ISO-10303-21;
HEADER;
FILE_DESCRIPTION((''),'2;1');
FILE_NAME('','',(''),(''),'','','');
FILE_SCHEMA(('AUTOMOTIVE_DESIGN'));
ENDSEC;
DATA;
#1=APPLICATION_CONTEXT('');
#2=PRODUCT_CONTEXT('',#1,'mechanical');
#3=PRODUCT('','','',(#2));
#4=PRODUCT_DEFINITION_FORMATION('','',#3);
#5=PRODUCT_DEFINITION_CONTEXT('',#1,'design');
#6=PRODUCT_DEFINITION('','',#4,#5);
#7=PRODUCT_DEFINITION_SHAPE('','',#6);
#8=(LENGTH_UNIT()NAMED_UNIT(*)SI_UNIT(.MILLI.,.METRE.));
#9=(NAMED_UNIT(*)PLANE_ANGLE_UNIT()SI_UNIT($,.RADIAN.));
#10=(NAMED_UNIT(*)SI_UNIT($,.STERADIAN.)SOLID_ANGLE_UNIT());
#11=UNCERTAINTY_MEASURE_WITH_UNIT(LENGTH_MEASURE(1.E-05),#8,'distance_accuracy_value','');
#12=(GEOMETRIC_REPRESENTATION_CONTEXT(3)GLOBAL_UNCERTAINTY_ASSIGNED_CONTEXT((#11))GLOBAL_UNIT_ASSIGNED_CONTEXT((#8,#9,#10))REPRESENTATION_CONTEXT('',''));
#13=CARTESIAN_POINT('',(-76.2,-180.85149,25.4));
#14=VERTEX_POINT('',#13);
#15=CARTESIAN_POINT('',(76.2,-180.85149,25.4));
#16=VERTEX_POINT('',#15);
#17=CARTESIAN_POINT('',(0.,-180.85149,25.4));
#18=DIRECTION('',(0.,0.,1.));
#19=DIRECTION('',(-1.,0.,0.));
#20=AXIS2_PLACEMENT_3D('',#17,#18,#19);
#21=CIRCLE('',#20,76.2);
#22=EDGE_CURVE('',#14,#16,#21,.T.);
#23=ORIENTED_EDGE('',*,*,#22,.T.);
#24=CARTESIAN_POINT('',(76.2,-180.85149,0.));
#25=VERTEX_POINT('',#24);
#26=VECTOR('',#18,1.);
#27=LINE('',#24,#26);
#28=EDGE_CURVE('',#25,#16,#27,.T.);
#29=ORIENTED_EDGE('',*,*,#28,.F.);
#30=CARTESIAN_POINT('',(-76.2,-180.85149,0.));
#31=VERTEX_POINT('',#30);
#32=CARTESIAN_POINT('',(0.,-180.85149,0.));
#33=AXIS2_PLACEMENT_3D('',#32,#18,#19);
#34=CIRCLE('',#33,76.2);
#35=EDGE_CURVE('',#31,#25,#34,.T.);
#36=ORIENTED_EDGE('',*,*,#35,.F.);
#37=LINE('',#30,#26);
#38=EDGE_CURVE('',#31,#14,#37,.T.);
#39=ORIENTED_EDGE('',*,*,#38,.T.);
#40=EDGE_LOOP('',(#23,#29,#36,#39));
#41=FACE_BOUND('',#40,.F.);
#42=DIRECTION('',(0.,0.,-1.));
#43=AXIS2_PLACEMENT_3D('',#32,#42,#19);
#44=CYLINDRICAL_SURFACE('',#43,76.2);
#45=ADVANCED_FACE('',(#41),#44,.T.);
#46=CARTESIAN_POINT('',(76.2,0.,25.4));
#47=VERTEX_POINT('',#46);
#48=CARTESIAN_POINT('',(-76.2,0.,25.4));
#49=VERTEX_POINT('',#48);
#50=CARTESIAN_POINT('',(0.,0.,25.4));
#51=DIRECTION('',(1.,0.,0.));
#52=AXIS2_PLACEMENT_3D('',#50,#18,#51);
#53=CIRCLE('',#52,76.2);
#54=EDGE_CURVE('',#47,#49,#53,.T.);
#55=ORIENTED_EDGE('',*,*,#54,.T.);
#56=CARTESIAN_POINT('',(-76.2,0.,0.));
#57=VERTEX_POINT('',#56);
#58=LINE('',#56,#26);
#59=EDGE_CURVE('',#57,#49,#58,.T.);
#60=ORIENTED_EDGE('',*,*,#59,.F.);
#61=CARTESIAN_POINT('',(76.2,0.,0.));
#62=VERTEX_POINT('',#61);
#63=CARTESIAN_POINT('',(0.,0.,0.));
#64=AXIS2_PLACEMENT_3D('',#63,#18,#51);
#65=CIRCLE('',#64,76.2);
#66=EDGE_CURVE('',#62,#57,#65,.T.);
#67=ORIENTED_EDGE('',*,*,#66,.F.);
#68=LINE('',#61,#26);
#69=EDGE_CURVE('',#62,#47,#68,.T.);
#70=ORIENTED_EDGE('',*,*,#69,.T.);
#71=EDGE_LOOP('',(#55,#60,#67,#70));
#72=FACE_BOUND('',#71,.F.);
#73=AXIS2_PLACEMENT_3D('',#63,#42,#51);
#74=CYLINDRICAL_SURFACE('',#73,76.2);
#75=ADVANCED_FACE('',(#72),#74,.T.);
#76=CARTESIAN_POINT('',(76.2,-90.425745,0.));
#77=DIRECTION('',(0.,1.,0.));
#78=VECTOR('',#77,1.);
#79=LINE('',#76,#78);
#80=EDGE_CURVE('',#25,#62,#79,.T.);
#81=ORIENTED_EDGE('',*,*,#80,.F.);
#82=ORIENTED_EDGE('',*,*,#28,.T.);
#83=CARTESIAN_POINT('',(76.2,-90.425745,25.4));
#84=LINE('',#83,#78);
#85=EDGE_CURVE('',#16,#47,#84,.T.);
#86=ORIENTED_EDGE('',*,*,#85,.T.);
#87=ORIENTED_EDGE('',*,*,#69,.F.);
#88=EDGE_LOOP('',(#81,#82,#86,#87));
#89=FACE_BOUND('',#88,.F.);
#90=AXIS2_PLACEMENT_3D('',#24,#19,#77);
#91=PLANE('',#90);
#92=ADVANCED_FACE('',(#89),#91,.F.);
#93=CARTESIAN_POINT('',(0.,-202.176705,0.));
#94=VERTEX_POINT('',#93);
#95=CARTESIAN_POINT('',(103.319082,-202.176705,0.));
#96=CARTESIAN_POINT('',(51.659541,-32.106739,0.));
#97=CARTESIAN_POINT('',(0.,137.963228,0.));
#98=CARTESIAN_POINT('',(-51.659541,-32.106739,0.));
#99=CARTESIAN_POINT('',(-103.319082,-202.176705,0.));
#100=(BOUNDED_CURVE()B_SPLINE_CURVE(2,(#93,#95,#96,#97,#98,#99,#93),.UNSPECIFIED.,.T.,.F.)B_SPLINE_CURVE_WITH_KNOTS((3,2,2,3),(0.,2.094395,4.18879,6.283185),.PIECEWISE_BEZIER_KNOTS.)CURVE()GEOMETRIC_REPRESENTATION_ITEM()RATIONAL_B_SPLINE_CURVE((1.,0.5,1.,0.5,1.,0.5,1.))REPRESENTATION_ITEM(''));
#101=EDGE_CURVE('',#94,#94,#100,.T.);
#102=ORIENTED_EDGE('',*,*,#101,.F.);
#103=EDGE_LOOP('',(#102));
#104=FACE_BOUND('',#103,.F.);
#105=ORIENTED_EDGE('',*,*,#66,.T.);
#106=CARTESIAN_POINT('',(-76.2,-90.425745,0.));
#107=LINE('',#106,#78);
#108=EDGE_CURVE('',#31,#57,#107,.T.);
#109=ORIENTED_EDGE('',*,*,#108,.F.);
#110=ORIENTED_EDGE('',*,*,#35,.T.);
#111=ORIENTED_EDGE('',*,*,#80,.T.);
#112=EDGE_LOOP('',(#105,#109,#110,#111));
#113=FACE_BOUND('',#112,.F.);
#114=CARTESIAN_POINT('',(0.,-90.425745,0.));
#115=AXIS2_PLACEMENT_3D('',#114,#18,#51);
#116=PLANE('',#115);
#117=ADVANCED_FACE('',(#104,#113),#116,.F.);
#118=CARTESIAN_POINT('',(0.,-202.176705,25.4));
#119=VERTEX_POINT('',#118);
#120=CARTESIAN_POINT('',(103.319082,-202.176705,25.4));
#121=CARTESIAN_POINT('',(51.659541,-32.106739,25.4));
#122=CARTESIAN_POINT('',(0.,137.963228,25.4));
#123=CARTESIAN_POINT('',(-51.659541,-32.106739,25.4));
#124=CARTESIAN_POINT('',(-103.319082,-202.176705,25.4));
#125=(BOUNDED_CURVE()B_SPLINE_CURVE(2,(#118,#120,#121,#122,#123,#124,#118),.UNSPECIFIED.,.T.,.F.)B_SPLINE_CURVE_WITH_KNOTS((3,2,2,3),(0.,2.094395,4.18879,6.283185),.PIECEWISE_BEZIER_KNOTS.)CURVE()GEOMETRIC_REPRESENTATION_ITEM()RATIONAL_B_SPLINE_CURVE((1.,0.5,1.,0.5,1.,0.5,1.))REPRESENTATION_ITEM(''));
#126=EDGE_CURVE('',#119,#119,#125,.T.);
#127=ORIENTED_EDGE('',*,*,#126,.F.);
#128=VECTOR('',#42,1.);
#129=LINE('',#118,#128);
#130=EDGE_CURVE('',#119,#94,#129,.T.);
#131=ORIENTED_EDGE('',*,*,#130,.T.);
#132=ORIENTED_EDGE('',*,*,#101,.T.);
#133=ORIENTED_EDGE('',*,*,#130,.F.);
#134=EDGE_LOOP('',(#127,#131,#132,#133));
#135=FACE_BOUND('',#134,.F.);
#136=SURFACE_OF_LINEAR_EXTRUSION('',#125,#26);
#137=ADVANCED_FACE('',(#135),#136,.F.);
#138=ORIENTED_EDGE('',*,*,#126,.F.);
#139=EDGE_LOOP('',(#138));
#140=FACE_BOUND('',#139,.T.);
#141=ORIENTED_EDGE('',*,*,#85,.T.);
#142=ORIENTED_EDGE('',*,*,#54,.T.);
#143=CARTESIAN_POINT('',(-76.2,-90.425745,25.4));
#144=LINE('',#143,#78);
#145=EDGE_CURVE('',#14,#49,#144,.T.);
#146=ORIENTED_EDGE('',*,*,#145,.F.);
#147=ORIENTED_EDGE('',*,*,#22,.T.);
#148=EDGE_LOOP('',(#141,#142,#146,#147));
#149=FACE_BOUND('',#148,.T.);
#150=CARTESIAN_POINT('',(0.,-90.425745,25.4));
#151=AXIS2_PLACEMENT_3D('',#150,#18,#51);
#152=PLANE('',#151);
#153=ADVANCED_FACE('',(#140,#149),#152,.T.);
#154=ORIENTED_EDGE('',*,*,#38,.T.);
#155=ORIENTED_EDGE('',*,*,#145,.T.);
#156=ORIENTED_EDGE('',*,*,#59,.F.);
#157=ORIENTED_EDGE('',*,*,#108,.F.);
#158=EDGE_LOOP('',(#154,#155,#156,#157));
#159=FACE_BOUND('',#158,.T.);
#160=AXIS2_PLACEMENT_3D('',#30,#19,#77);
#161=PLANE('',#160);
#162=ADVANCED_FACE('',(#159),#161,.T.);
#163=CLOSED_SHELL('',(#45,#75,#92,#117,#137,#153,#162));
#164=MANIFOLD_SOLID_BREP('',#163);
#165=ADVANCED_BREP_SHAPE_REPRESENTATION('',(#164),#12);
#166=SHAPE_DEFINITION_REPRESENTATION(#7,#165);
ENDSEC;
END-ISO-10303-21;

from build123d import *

# Parameters (mm, degrees)
F0_W     = 152.4
F0_H     = 180.85149
F1_DEPTH = 25.4
F3_DEPTH = 25.4


with BuildPart() as f1:
    # F0 (on Top) → F1 (new body)
    with BuildSketch(Plane.XY):
        with Locations((0, -90.425745)):
            Rectangle(F0_W, F0_H)
        with BuildLine():
            Line((-76.2, 0), (76.2, 0))
            ThreePointArc((76.2, 0), (0, 76.2), (-76.2, 0))
        make_face()
        with BuildLine():
            ThreePointArc((-76.2, -180.85149), (0, -257.05149), (76.2, -180.85149))
            Line((76.2, -180.85149), (-76.2, -180.85149))
        make_face()
    extrude(amount=F1_DEPTH)

    # F2 (on face) → F3 (cut)
    with BuildSketch(Plane.XY.offset(25.4)):
        with BuildLine():
            add(Edge.make_bspline(
                [(0, -202.176705), (103.319082, -202.176705), (51.659541, -32.106739), (0, 137.963228), (-51.659541, -32.106739), (-103.319082, -202.176705), (0, -202.176705)],
                knots=[0, 0, 0, 2.094395, 2.094395, 4.18879, 4.18879, 6.283185, 6.283185, 6.283185], degree=2, weights=[1, 0.5, 1, 0.5, 1, 0.5, 1]))
        make_face()
    extrude(amount=-F3_DEPTH, mode=Mode.SUBTRACT)


solid = f1.part
